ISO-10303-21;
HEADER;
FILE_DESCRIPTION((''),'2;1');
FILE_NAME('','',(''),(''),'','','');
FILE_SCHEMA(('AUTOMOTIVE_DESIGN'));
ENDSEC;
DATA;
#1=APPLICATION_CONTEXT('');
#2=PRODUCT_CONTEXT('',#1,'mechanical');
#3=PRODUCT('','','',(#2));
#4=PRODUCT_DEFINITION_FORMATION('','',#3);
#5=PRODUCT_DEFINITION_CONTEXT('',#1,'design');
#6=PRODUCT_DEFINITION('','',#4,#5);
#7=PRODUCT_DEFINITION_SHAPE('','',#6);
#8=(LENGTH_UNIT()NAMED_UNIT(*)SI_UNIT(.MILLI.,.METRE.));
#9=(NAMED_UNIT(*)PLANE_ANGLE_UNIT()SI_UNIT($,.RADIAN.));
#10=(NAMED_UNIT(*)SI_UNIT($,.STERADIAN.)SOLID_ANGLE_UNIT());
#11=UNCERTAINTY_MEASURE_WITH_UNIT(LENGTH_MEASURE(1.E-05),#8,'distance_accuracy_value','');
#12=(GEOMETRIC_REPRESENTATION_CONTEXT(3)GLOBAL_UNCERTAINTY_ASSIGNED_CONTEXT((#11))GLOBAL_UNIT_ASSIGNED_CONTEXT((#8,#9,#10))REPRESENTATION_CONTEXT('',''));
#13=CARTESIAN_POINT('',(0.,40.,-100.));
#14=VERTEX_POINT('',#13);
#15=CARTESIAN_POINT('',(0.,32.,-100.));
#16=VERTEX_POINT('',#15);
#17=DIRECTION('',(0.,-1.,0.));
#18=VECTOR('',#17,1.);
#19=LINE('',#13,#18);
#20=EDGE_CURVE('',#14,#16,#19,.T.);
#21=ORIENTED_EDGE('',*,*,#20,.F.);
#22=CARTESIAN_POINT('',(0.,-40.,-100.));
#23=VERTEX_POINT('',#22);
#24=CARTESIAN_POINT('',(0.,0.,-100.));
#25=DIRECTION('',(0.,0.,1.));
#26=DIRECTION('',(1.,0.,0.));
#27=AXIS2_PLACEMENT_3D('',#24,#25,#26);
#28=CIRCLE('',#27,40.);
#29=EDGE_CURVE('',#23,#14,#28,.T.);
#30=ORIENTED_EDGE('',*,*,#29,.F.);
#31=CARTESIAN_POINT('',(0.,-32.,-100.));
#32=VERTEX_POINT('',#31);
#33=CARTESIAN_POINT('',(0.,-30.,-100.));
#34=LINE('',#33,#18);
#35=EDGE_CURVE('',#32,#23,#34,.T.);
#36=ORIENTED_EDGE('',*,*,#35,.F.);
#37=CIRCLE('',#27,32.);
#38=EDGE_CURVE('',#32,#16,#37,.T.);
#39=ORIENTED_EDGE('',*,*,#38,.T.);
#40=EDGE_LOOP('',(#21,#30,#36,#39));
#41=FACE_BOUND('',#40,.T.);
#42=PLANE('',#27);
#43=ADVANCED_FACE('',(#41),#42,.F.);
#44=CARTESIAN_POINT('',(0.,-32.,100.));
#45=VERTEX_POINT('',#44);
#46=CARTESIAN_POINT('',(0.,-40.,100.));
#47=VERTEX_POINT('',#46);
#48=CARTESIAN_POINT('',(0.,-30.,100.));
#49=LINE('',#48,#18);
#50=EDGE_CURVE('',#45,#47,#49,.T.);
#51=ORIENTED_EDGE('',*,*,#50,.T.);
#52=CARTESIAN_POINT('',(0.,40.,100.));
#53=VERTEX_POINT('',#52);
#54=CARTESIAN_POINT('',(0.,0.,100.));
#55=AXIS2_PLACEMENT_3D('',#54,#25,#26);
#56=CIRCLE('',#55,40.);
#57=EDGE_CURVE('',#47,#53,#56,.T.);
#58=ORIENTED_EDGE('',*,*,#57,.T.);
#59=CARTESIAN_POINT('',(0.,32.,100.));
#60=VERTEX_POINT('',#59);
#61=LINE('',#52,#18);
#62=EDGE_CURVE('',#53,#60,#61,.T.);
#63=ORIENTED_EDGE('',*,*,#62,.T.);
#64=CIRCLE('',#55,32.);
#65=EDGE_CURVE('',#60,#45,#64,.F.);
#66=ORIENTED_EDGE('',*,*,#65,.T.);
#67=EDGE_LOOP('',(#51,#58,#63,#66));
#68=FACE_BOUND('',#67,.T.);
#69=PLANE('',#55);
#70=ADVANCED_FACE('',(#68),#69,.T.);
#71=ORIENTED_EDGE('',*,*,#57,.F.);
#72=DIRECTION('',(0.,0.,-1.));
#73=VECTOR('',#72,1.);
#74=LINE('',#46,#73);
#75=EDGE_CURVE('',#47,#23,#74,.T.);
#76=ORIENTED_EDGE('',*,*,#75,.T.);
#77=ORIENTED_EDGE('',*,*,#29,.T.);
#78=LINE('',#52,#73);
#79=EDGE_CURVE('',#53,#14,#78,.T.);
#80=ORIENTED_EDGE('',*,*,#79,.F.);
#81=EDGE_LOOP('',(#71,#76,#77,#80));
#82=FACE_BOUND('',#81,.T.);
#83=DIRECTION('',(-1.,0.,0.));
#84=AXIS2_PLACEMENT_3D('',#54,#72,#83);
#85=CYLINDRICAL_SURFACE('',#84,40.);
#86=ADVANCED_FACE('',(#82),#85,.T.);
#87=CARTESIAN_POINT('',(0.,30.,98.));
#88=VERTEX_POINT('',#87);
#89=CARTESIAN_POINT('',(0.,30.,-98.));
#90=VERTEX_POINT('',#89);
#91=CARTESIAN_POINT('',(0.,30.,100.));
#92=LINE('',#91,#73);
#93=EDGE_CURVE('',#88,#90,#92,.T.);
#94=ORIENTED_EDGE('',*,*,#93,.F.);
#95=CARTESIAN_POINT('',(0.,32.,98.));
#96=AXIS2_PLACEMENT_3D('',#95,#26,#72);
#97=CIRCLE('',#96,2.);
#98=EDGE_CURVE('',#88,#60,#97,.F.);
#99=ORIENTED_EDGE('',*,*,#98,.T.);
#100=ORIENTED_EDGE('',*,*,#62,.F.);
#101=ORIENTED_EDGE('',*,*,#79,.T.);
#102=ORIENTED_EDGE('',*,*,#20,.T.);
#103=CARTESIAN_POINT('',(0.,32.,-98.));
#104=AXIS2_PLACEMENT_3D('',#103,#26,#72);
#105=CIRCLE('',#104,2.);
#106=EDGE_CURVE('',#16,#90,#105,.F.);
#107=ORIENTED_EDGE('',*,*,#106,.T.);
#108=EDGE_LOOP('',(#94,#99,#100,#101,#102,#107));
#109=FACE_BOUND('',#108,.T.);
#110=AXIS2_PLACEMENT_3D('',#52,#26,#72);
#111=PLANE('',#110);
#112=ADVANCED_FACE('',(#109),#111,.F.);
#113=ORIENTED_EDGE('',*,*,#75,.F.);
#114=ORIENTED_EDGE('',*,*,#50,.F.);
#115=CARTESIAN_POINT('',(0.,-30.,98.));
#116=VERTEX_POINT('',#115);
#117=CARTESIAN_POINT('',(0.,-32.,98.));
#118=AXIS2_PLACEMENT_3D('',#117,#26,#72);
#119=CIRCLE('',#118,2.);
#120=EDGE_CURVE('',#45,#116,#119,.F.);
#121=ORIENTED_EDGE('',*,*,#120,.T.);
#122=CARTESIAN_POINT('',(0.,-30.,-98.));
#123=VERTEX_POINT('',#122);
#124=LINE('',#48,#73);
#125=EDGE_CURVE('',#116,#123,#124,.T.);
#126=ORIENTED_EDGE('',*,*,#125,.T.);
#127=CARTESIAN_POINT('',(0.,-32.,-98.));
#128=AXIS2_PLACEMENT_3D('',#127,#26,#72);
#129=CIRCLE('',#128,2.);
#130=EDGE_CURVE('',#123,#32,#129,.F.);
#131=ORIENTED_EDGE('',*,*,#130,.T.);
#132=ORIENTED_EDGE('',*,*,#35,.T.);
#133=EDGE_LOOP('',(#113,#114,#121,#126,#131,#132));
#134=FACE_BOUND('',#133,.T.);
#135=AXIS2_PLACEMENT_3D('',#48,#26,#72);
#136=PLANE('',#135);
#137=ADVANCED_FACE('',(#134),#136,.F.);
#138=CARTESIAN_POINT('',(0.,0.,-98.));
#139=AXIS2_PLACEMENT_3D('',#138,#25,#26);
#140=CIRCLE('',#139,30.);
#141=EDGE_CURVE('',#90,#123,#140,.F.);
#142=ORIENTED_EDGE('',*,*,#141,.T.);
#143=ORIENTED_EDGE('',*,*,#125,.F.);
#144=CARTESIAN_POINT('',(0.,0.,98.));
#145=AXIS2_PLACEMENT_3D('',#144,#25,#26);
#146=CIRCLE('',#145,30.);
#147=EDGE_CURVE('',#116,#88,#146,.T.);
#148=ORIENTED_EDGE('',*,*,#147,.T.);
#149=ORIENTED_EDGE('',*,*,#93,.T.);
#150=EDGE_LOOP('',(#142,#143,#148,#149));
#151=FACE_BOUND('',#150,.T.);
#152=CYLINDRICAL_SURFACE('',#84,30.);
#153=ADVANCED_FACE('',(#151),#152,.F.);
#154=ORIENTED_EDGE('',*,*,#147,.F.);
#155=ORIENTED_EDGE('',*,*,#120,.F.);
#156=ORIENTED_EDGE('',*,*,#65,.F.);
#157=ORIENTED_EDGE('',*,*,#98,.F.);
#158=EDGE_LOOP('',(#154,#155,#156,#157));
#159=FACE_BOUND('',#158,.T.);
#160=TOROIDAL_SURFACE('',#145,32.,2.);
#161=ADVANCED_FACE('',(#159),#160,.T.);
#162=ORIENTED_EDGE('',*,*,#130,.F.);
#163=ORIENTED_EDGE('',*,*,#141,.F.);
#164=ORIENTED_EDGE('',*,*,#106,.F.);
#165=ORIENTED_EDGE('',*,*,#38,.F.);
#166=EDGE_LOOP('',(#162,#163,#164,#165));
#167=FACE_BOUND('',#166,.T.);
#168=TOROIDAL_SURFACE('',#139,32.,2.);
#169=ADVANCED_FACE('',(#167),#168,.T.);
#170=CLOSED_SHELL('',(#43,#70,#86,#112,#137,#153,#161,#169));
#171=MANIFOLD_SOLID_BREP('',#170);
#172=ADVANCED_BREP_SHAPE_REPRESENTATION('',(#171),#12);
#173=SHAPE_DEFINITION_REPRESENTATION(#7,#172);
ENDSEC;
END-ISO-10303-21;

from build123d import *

# Parameters (mm, degrees)
AUFSATZ_LINEAR_AUSTRAGEN1_DEPTH = 100
VERRUNDUNG1_R                   = 2


with BuildPart() as part:
    # Skizze1 → Aufsatz-Linear austragen1 (new, symmetric)
    with BuildSketch(Plane.XY):
        with BuildLine():
            Line((0, 40), (0, 30))
            ThreePointArc((0, 30), (30, 0), (0, -30))
            Line((0, -30), (0, -40))
            ThreePointArc((0, -40), (40, 0), (0, 40))
        make_face()
    extrude(amount=AUFSATZ_LINEAR_AUSTRAGEN1_DEPTH, both=True)

    # Verrundung1
    verrundung1_edges = [part.edges().sort_by_distance(p)[0] for p in [
        (30, 0, 100),
        (30, 0, -100),
    ]]
    fillet(verrundung1_edges, radius=VERRUNDUNG1_R)


solid = part.part
